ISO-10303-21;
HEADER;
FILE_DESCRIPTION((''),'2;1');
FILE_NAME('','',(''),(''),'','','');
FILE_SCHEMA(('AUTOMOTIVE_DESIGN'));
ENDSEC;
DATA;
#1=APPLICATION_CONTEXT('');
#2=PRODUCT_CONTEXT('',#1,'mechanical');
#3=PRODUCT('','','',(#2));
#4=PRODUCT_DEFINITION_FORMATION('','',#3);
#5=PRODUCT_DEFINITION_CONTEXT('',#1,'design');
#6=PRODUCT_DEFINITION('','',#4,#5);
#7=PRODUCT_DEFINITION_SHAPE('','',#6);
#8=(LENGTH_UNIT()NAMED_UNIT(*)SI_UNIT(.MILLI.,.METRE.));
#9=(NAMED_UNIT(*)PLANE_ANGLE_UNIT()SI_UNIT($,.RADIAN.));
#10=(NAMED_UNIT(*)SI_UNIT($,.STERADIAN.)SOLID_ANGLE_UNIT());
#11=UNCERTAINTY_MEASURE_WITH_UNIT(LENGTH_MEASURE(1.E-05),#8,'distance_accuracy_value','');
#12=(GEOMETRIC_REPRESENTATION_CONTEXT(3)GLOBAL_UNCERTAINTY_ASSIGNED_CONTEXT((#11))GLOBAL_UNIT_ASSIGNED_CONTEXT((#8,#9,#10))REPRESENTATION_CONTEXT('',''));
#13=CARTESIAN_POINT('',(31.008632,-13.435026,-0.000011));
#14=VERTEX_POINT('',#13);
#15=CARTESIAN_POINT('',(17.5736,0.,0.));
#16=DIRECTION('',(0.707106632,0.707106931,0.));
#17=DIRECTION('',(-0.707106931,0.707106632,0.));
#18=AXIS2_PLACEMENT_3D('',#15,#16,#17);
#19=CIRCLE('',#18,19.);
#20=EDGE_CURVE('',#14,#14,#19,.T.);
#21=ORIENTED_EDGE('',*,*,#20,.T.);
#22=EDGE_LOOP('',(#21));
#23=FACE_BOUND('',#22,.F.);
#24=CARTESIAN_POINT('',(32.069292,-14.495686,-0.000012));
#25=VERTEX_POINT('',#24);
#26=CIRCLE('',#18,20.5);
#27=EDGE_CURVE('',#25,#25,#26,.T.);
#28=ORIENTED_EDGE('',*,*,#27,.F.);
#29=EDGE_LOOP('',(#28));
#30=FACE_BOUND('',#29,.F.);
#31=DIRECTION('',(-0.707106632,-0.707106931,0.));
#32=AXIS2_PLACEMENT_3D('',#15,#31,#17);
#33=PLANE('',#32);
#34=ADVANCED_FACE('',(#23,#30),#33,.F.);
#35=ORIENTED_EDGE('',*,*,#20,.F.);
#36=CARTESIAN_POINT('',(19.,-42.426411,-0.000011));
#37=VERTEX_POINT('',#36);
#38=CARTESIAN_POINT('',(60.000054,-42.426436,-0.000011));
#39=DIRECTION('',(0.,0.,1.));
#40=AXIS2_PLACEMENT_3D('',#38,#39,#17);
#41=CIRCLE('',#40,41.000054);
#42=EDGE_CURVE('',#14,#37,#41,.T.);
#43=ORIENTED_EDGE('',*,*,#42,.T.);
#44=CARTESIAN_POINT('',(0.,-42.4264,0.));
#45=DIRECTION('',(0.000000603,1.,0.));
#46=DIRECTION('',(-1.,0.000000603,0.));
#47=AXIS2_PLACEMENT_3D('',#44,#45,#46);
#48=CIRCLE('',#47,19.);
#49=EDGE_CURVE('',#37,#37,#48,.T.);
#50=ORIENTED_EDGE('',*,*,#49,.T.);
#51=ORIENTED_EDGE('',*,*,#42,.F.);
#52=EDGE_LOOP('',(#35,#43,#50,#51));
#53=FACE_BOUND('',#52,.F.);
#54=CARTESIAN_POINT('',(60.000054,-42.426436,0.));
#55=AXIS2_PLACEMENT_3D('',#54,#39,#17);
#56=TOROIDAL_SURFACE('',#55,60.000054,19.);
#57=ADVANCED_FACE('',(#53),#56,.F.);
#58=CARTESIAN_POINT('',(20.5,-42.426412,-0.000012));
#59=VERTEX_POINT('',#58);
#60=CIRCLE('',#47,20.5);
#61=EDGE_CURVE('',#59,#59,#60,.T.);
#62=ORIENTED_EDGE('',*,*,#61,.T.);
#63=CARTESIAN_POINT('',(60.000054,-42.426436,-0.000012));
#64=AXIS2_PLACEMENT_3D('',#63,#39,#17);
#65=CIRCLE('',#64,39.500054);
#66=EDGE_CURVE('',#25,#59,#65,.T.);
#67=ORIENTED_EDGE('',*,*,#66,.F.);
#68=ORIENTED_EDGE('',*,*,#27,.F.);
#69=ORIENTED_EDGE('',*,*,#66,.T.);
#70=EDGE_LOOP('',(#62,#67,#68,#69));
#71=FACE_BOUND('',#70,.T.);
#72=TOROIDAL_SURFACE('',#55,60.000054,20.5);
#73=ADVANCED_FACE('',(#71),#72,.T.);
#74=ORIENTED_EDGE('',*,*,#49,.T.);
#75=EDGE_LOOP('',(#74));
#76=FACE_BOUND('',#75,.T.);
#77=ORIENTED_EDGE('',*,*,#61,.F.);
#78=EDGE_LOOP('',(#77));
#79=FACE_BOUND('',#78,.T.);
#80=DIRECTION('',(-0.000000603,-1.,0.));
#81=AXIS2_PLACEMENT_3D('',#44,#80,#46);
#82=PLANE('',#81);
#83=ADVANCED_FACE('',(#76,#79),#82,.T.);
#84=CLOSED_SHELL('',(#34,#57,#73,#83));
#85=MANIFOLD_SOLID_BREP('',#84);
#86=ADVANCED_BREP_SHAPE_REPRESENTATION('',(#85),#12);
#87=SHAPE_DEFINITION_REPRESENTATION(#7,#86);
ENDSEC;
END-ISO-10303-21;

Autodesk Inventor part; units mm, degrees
ref_plane "YZ Plane" through (0, 0, 0) normal (1, 0, 0) x (0, 1, 0)
ref_plane "XZ Plane" through (0, 0, 0) normal (0, 1, 0) x (-1, 0, 0)
sketch "Szkic6" plane through (0, 0, 0) normal (0, 0, 1) x (1, 0, 0)
  line L0 (-29.6067, 0) -> (35.2678, 0) construction
  line L1 (0, 42.3419) -> (0, -58.3726) construction
  arc A0 (17.5736, 0) -> (0, -42.4264) centre (60, -42.4264) ccw
  line L2 (0, -42.4264) -> (60, -42.4264) construction
  line L3 (60, -42.4264) -> (13.6611, 3.9125) construction
  line L4 (17.5736, 0) -> (17.5736, 0)
  line L5 (0, -42.4264) -> (0, -42.4264)
  point P0 (0, 0)
  dimension "d24" = 60
  dimension "d31" = 45
  dimension "d36" = 0
  dimension "d37" = 0
ref_plane "Płaszczyzna konstrukcyjna2" through (0, -42.4264, 0) normal (0, -1, 0) x (1, 0, 0)
sketch "Szkic8" plane through (0, -42.4264, 0) normal (0, -1, 0) x (1, 0, 0)
  circle A0 centre (0, 0) radius 20.5
  circle A1 centre (0, 0) radius 19
  dimension "d32" = 41
  dimension "d33" = 1.5
sweep "Przeciągnięcie2" add profiles "Szkic8" path "Szkic6"
equation "\"d32\" = OD"
equation "\"d33\" = THK"
equation "\"d24\" = R"
equation "\"d31\" = KAT"
equation "\"SzerokośćGięciaPodcięcia\" = Grubość"
equation "\"RozmiarPodcięciaNarożnika\" = 4 * Grubość"
equation "\"PromieńPrzejścia\" = PromieńGięcia"
equation "\"Rozmiar_promienia_Jacobiego\" = PromieńGięcia"
equation "\"Wielk_odstępu\" = Grubość"
equation "\"d2\" = PromieńGięcia"
equation "\"d23\" = PromieńGięcia"
equation "\"R\" = 60"
equation "\"OD\" = 41"
equation "\"THK\" = 1.5"
equation "\"KAT\" = 45deg"
equation "\"PROSTKA\" = 0"
equation "\"Grubość\" = 1.5"
equation "\"PromieńGięcia\" = 3"
properties part number "Kolano 45° ø41x1,5 R60" material "304L"
